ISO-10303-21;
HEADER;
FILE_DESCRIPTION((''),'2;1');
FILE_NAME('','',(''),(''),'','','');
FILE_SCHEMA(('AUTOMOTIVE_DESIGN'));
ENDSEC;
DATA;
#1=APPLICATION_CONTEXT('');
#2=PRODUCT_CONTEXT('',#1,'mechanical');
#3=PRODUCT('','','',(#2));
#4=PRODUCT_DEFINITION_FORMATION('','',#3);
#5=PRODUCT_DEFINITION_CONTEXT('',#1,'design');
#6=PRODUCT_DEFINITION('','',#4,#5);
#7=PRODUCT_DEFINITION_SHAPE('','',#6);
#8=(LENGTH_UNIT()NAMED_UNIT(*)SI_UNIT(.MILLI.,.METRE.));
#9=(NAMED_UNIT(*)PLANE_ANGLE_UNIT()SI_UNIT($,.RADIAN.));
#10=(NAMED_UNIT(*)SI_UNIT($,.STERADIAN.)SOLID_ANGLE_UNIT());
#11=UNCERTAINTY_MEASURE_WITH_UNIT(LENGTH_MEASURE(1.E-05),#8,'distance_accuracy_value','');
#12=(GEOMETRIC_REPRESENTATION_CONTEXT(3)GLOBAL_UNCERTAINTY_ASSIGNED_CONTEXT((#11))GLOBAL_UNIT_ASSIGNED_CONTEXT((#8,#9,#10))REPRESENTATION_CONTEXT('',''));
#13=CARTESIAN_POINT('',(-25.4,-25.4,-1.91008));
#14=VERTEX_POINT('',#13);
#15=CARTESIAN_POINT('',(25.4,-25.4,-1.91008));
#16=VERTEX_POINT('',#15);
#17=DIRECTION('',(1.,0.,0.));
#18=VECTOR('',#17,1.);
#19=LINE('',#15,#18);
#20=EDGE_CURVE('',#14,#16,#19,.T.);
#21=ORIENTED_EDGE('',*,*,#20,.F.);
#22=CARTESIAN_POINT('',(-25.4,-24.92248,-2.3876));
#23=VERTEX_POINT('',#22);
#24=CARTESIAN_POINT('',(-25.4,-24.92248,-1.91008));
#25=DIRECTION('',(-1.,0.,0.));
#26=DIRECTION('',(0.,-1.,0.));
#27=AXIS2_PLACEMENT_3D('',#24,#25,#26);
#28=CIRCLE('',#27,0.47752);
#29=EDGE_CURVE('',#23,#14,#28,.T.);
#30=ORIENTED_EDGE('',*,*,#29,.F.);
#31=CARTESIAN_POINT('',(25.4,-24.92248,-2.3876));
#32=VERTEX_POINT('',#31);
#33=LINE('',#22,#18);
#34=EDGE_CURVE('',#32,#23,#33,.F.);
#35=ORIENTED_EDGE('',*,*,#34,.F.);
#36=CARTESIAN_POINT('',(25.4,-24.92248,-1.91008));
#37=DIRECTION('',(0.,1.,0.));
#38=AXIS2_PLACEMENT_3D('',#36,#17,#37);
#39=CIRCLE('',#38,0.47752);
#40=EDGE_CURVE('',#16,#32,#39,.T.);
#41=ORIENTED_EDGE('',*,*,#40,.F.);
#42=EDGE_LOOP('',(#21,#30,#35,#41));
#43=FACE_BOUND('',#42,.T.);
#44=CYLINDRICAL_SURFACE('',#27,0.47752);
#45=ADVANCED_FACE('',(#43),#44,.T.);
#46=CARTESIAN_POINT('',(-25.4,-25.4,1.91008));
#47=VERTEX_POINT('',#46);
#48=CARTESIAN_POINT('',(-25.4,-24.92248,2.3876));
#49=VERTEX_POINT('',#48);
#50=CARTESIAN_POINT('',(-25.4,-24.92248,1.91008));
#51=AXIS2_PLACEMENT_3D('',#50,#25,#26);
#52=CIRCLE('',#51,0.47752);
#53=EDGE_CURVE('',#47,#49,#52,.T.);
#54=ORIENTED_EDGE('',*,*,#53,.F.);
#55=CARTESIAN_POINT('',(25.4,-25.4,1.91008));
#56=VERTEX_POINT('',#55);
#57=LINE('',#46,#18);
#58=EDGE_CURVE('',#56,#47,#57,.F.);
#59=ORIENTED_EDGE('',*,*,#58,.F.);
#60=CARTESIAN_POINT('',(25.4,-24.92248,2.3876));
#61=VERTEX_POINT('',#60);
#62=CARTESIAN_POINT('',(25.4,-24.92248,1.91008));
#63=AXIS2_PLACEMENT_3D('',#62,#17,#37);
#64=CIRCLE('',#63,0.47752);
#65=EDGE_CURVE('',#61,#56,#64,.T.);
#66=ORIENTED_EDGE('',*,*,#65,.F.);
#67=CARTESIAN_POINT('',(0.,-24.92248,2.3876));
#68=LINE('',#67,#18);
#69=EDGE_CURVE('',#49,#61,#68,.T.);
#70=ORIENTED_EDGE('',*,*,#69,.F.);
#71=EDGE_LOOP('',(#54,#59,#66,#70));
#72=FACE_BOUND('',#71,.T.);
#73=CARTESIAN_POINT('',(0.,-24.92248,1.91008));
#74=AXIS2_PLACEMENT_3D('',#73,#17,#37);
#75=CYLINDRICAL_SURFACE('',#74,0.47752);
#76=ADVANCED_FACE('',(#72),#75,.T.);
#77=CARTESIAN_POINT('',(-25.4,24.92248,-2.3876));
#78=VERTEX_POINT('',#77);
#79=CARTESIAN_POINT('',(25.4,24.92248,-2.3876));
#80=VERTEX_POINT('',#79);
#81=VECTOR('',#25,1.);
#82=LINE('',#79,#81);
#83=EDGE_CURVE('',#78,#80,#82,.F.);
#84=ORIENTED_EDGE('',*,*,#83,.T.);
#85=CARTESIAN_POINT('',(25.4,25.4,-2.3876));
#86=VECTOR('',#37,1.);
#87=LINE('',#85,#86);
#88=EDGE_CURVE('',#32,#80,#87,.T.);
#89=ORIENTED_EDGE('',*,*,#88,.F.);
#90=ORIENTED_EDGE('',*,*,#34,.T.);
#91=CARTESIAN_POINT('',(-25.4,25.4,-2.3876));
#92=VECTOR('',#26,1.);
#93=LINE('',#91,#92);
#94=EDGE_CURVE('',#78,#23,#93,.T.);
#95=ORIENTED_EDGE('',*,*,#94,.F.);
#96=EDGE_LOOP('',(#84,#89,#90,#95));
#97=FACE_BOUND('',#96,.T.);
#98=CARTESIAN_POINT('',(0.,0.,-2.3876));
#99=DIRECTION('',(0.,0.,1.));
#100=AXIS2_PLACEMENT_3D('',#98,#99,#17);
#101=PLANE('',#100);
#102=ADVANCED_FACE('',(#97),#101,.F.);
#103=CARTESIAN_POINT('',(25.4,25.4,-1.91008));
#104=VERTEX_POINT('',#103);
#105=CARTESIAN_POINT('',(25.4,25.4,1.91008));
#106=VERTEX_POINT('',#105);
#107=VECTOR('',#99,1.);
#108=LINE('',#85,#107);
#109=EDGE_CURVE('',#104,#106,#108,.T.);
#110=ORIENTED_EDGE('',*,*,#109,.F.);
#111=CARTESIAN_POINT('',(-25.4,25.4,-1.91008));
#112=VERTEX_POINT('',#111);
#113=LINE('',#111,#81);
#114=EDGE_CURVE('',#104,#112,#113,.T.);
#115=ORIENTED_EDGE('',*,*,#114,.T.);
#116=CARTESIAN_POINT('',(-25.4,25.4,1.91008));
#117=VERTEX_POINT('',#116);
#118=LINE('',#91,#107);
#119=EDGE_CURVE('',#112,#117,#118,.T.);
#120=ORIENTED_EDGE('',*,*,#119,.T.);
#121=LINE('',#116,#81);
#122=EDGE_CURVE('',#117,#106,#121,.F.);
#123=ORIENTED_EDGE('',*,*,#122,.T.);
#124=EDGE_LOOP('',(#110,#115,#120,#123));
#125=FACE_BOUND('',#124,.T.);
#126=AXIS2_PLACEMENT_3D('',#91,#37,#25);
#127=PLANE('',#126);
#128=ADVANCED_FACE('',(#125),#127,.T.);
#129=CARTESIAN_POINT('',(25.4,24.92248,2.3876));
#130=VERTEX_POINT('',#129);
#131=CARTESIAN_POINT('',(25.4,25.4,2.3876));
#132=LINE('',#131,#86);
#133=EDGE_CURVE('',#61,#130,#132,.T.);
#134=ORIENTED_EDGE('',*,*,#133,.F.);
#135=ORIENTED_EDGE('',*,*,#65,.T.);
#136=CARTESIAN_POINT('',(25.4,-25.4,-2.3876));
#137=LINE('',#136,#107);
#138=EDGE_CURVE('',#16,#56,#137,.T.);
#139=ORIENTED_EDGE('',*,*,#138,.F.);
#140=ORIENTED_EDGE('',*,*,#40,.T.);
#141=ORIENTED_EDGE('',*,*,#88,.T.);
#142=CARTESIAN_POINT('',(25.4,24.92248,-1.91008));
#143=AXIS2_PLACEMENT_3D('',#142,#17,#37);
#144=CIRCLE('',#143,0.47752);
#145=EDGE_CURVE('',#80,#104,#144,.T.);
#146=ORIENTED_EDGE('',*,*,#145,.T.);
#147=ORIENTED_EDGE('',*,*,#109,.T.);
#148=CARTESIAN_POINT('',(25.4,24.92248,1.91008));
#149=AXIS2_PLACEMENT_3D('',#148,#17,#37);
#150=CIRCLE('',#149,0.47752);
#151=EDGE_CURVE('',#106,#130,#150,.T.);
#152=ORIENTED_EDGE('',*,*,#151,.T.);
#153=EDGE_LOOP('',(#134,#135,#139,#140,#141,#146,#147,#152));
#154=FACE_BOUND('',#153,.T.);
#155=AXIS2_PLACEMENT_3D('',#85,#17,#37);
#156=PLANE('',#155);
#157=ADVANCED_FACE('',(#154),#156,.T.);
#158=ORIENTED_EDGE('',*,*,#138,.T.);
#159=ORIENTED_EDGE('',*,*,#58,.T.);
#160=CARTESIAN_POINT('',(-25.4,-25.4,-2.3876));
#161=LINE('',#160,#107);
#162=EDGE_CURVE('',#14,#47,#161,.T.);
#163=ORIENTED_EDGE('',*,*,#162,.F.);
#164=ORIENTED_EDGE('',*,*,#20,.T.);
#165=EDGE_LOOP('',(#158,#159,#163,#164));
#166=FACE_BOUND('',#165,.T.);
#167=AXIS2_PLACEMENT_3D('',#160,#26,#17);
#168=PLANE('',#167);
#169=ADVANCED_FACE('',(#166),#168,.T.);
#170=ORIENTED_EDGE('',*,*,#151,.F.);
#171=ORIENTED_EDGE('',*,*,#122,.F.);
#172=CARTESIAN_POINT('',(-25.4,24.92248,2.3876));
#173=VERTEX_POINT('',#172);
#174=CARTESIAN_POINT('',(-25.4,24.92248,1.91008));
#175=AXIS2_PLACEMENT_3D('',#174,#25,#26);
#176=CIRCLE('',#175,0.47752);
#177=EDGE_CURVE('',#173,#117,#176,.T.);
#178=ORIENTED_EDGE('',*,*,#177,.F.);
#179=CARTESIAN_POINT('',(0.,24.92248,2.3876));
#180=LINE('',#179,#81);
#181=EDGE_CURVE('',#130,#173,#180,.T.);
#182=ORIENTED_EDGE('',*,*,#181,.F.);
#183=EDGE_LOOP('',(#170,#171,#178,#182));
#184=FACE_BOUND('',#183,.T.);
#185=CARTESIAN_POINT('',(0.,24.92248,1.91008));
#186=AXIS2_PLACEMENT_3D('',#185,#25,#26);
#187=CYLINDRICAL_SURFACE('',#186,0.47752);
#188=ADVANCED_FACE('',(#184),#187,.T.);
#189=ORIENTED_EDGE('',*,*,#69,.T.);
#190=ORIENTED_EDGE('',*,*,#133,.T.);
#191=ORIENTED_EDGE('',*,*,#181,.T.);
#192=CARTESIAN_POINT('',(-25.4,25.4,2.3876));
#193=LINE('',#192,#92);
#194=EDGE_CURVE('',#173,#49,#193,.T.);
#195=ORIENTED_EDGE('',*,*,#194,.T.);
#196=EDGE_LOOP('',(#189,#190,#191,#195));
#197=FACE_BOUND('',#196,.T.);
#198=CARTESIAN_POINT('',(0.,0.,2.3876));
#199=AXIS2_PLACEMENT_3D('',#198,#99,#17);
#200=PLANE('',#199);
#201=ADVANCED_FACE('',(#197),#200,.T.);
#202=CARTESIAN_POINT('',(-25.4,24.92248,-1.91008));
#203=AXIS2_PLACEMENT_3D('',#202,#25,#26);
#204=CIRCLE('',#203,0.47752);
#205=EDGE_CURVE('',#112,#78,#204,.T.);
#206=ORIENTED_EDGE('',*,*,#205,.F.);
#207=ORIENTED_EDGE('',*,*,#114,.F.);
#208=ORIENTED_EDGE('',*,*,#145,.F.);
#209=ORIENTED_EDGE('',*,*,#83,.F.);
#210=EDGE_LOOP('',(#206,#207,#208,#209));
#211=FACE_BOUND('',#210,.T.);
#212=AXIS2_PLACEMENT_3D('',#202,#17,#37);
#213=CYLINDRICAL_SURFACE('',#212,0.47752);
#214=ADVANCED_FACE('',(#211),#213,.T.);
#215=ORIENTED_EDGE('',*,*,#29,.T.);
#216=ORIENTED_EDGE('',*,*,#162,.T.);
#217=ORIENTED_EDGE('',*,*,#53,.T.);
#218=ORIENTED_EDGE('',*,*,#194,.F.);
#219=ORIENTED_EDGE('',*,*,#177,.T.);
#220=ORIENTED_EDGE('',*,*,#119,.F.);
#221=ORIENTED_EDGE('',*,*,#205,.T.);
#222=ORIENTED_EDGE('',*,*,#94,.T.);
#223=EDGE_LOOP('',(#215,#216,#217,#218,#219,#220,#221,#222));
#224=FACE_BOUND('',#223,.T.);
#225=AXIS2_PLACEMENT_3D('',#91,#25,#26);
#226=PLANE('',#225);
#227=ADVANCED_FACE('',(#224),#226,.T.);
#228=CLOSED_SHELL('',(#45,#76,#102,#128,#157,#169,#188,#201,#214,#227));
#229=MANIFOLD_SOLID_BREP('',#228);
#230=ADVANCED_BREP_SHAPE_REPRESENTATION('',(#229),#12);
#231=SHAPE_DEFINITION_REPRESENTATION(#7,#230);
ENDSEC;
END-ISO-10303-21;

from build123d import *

# Parameters (mm, degrees)
BOSS_EXTRUDE1_DEPTH      = 2.3876
BOSS_EXTRUDE1_DEPTH_BACK = 2.3876
SKETCH3_W                = 50.8
SKETCH3_H                = 50.8
FILLET1_R                = 0.47752


with BuildPart() as part:
    # Sketch3 → Boss-Extrude1 (new, two sides: drawn at the far end of the back side and taken through both)
    with BuildSketch(Plane.XY.offset(-BOSS_EXTRUDE1_DEPTH_BACK)):
        Rectangle(SKETCH3_W, SKETCH3_H)
    extrude(amount=BOSS_EXTRUDE1_DEPTH + BOSS_EXTRUDE1_DEPTH_BACK)

    # Fillet1
    fillet1_edges = [part.edges().sort_by_distance(p)[0] for p in [
        (0, -25.4, 2.3876),
        (0, 25.4, -2.3876),
        (0, 25.4, 2.3876),
        (0, -25.4, -2.3876),
    ]]
    fillet(fillet1_edges, radius=FILLET1_R)


solid = part.part
